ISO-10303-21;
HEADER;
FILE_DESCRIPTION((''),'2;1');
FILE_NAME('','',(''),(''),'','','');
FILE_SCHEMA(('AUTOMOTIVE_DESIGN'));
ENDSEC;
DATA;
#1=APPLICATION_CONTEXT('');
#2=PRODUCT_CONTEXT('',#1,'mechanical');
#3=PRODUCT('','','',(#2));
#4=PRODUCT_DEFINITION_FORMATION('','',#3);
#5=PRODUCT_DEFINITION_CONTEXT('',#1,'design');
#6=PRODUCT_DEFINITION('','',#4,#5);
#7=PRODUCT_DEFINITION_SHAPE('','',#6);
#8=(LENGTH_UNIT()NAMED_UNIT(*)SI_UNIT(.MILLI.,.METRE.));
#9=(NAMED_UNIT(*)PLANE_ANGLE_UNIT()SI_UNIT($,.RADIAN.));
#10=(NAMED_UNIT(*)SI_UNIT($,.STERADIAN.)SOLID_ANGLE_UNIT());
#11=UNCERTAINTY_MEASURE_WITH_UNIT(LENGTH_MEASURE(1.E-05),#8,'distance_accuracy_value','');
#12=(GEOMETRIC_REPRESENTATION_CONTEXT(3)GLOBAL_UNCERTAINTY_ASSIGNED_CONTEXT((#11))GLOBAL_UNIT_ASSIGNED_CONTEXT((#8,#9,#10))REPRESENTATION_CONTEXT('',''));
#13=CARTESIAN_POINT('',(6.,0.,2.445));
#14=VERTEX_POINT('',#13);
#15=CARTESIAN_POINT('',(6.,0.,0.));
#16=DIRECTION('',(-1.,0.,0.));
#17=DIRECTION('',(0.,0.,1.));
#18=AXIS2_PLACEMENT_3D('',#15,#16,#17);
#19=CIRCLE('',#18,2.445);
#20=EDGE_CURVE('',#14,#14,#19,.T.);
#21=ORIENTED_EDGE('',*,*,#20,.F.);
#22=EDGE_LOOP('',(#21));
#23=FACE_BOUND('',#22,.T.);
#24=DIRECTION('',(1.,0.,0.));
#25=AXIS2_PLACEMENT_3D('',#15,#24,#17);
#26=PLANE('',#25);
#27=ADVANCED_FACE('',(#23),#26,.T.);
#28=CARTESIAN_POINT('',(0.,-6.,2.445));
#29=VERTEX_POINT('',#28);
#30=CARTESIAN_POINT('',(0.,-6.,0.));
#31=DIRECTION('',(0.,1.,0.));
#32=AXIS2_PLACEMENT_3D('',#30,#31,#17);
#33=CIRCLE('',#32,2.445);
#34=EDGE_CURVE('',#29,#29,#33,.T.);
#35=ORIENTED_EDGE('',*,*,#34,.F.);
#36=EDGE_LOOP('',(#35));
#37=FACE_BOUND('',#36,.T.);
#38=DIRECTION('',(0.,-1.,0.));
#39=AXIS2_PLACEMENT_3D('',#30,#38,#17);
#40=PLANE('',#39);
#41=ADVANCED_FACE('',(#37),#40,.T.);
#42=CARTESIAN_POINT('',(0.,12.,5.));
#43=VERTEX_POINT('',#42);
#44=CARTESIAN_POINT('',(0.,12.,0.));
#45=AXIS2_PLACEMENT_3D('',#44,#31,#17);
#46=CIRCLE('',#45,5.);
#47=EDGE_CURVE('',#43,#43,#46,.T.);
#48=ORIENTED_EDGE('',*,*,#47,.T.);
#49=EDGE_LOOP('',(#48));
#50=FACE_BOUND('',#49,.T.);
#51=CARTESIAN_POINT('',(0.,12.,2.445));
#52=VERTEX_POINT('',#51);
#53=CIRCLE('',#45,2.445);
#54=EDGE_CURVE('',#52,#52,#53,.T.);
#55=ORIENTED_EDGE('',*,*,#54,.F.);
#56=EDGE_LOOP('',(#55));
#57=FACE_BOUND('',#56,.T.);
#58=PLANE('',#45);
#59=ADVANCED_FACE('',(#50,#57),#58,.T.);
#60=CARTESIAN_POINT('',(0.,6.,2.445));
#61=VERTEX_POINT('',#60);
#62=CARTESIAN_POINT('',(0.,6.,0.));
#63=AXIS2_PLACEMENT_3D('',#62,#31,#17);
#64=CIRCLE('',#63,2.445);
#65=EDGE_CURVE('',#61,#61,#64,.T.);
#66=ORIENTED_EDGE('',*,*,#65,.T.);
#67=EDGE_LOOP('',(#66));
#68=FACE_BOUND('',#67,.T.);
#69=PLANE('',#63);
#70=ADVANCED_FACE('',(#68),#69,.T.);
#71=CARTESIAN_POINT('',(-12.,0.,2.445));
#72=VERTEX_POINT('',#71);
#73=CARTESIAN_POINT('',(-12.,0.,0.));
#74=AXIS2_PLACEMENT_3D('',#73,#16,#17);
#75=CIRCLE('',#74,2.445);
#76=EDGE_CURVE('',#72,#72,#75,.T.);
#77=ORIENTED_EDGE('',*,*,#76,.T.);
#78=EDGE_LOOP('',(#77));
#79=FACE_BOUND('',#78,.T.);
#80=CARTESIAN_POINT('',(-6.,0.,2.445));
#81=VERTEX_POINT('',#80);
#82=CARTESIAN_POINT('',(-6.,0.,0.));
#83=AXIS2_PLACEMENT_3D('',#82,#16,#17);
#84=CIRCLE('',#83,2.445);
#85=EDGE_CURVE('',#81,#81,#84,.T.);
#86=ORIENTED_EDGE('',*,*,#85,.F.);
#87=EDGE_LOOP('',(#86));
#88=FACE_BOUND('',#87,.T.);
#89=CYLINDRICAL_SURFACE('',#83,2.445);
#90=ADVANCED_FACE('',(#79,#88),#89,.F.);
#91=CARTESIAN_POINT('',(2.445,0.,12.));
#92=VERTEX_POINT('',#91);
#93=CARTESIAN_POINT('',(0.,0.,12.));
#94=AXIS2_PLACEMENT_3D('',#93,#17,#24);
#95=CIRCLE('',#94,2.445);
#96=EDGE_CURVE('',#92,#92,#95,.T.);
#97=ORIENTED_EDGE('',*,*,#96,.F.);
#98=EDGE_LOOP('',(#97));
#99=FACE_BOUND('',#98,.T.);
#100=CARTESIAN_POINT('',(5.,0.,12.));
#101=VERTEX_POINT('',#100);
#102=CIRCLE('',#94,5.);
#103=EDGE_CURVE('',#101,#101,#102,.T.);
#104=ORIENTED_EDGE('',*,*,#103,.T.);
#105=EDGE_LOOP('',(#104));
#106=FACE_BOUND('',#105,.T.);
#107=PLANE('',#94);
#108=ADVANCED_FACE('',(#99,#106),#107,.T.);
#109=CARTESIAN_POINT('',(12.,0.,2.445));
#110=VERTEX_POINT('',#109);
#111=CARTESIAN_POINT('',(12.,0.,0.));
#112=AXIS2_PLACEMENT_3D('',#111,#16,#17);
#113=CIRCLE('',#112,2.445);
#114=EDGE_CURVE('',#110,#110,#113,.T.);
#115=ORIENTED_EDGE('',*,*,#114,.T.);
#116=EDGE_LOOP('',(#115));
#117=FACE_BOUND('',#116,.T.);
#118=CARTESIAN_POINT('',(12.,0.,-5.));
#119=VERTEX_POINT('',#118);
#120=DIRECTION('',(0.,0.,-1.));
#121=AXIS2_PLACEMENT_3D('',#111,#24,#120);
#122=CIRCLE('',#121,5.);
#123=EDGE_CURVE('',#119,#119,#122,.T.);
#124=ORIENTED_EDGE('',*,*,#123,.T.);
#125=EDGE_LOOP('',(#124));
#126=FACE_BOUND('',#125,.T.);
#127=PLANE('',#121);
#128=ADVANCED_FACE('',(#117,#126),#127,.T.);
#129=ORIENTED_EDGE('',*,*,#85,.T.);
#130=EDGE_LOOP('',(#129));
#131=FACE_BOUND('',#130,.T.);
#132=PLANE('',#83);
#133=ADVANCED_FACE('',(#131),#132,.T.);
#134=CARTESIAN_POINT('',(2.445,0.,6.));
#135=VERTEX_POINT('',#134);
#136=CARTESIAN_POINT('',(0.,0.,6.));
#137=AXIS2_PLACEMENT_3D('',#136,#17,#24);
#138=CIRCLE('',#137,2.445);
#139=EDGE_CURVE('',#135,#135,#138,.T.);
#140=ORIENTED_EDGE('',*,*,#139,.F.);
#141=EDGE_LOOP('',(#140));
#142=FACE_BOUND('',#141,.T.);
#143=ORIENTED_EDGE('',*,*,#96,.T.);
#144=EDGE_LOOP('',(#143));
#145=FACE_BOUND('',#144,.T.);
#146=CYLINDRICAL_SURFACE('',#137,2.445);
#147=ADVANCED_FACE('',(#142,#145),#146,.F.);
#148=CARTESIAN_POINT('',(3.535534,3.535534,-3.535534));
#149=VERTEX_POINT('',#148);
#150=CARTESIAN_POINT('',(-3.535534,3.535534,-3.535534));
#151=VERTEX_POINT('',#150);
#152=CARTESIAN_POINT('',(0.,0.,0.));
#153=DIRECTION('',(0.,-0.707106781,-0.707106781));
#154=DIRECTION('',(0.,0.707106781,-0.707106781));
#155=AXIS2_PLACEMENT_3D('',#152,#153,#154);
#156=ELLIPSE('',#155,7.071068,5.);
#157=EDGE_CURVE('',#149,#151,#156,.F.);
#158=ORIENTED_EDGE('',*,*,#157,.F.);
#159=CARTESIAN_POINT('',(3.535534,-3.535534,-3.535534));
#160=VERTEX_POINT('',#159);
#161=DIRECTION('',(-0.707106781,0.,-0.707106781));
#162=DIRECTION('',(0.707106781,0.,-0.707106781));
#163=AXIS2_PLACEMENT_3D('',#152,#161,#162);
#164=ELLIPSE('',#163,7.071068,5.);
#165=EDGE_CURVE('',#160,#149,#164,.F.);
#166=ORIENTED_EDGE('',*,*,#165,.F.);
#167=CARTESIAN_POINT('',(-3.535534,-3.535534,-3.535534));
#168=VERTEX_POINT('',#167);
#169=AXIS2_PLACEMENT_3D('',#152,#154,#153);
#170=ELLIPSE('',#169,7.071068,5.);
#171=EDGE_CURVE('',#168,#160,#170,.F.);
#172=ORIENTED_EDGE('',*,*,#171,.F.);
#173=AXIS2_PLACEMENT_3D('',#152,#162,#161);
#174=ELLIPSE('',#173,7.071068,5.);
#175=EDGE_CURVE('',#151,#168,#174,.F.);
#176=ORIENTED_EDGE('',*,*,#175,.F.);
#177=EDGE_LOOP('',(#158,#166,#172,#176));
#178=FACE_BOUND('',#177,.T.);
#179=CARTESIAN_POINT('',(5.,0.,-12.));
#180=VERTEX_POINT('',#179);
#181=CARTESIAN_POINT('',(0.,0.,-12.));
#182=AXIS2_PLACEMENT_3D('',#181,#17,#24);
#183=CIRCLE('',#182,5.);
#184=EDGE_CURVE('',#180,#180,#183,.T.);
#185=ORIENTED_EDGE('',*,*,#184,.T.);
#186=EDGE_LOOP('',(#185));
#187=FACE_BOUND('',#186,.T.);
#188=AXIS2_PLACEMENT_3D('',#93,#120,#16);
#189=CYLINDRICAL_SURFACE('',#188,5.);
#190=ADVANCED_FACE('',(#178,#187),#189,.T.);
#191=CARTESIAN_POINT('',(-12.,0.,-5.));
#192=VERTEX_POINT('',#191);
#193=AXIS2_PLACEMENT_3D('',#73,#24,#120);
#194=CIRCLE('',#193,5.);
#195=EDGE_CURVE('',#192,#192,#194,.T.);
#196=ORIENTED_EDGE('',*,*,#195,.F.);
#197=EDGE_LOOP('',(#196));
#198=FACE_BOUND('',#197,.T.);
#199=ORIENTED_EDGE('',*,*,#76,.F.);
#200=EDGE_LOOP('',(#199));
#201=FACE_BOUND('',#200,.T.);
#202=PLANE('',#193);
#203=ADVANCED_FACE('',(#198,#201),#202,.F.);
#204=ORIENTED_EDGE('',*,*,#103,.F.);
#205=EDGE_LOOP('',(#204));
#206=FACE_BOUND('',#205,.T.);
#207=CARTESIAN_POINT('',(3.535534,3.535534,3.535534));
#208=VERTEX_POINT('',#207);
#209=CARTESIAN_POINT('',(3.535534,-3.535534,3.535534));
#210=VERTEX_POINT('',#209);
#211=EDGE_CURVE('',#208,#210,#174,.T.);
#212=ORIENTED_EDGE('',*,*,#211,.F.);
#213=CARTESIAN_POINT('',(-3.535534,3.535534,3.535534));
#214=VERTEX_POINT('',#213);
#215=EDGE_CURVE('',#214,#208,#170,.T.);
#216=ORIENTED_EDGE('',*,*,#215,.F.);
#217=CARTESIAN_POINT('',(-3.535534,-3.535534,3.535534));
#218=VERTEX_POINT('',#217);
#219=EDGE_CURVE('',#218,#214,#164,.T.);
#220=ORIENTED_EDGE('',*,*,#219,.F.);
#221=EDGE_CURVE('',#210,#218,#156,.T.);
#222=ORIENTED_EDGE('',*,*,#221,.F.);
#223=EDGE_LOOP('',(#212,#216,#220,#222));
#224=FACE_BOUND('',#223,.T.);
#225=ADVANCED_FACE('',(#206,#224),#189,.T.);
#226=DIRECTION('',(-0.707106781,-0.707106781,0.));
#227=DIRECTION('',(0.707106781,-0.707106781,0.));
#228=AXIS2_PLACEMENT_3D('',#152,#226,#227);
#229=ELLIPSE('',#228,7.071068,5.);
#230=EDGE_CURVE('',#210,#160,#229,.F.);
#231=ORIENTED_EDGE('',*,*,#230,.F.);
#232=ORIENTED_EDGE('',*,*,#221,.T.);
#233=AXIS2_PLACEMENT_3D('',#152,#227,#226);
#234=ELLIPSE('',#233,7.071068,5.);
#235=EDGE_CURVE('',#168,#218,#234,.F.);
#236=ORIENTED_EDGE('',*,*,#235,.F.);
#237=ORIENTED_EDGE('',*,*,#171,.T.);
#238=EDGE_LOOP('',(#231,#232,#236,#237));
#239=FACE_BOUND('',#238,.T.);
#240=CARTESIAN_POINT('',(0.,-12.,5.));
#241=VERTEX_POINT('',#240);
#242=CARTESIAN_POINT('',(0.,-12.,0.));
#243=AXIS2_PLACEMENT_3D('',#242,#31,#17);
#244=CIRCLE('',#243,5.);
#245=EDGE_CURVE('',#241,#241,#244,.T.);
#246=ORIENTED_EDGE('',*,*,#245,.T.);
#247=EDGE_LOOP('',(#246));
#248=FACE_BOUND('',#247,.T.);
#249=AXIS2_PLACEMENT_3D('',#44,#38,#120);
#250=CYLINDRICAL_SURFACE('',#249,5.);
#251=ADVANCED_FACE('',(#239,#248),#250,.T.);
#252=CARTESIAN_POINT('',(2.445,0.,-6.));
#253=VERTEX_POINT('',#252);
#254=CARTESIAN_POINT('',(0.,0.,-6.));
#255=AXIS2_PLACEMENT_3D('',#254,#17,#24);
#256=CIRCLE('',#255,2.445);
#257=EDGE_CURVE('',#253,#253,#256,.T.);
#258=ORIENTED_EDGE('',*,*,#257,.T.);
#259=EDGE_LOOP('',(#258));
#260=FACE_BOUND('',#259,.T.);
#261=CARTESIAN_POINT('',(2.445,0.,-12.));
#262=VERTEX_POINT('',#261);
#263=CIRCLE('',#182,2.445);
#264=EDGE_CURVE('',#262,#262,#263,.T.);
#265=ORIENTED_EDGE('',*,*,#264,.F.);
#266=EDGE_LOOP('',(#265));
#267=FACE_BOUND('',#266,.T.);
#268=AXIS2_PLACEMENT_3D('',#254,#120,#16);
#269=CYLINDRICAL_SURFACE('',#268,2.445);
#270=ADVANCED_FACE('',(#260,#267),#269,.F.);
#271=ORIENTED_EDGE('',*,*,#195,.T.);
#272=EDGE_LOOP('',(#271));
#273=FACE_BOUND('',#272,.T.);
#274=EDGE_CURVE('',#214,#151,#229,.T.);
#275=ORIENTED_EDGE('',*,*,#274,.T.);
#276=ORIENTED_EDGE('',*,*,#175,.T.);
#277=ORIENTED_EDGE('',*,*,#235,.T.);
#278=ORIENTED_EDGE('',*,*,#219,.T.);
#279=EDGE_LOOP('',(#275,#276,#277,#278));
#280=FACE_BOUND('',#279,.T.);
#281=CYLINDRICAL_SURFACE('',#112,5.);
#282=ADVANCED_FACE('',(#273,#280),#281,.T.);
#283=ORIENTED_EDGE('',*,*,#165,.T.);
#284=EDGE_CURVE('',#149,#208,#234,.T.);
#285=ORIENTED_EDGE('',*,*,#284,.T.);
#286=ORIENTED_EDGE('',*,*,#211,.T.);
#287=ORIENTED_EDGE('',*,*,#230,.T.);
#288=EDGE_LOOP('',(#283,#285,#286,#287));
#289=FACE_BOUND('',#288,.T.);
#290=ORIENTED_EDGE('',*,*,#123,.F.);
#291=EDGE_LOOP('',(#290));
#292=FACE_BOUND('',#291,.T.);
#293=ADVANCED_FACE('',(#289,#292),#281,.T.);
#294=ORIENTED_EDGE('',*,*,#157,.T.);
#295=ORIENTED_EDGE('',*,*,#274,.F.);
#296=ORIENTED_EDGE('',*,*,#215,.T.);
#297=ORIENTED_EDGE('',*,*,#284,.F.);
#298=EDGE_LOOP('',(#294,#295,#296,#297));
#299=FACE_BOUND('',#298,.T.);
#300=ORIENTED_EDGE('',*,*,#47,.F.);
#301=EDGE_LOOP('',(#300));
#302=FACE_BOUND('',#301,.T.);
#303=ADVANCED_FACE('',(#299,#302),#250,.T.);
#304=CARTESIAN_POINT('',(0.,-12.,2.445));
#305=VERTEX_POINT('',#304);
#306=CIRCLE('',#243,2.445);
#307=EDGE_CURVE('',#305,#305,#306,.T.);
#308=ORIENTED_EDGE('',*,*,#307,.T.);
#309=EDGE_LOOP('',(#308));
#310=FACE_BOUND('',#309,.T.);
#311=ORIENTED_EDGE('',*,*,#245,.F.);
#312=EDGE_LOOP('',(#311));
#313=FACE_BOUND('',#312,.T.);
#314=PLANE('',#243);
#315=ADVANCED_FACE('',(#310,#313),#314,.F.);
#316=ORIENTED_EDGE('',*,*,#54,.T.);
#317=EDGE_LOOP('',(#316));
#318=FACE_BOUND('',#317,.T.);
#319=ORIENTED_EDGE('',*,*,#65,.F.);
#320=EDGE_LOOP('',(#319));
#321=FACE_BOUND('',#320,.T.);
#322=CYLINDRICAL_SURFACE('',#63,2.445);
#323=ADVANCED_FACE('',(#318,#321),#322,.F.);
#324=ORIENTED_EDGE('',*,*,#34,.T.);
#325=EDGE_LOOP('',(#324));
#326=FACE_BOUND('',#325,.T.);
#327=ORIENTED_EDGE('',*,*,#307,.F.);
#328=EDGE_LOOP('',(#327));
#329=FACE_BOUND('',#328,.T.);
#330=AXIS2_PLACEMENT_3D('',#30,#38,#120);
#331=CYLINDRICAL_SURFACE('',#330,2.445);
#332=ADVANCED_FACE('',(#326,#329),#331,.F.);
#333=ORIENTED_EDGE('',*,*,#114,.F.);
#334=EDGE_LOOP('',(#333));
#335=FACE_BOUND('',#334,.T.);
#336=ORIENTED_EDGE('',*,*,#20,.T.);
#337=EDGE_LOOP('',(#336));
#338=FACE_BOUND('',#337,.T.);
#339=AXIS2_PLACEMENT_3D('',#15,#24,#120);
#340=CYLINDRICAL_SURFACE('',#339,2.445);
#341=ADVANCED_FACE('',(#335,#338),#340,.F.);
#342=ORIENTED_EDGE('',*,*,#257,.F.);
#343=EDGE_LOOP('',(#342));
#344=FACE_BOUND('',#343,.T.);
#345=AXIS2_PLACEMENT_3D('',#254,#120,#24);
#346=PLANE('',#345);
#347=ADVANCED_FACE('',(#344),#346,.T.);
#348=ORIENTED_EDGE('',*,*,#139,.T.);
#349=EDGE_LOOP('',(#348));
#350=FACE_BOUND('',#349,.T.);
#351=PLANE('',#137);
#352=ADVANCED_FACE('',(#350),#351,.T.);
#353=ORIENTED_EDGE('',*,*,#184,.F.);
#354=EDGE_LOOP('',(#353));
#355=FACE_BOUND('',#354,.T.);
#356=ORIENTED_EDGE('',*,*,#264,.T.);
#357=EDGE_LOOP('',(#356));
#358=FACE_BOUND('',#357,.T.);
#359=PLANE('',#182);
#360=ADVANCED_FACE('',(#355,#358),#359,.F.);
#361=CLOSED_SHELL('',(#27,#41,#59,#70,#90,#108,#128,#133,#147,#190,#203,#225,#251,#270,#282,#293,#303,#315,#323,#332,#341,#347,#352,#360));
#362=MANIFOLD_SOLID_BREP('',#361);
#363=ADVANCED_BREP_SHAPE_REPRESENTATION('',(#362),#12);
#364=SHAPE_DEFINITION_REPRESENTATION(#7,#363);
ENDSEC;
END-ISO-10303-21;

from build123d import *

# Parameters (mm, degrees)
IZIM1_R                     = 5
Y_KSEKLIK_EKSTR_ZYON1_DEPTH = 12
IZIM2_R                     = 5
Y_KSEKLIK_EKSTR_ZYON2_DEPTH = 12
IZIM3_R                     = 5
Y_KSEKLIK_EKSTR_ZYON3_DEPTH = 12
IZIM4_R                     = 2.445
KES_EKSTR_ZYON1_DEPTH       = 6
IZIM5_R                     = 2.445
KES_EKSTR_ZYON2_DEPTH       = 6
IZIM6_R                     = 2.445
KES_EKSTR_ZYON3_DEPTH       = 6


with BuildPart() as part:
    # Çizim1 → Yükseklik-Ekstrüzyon1 (new, symmetric)
    with BuildSketch(Plane.XY):
        Circle(IZIM1_R)
    extrude(amount=Y_KSEKLIK_EKSTR_ZYON1_DEPTH, both=True)

    # Çizim2 → Yükseklik-Ekstrüzyon2 (add, symmetric)
    with BuildSketch(Plane(origin=(0, 0, 0), x_dir=(1, 0, 0), z_dir=(0, 1, 0))):
        Circle(IZIM2_R)
    extrude(amount=Y_KSEKLIK_EKSTR_ZYON2_DEPTH, both=True)

    # Çizim3 → Yükseklik-Ekstrüzyon3 (add, symmetric)
    with BuildSketch(Plane(origin=(0, 0, 0), x_dir=(0, 0, -1), z_dir=(1, 0, 0))):
        with Locations(Location((0, 0, 0), (0, 0, 225))):
            Circle(IZIM3_R)
    extrude(amount=Y_KSEKLIK_EKSTR_ZYON3_DEPTH, both=True)

    # Çizim4 → Kes-Ekstrüzyon1 (cut)
    with BuildSketch(Plane.ZY.offset(12)):
        Circle(IZIM4_R)
    kes_ekstr_zyon1 = extrude(amount=-KES_EKSTR_ZYON1_DEPTH, mode=Mode.SUBTRACT)

    # Aynalama1: Kes-Ekstrüzyon1 across plane
    add(kes_ekstr_zyon1.mirror(Plane(origin=(0, 0, 0), x_dir=(0, 0, 1), z_dir=(1, 0, 0))), mode=Mode.SUBTRACT)

    # Çizim5 → Kes-Ekstrüzyon2 (cut)
    with BuildSketch(Plane.XY.offset(12)):
        Circle(IZIM5_R)
    kes_ekstr_zyon2 = extrude(amount=-KES_EKSTR_ZYON2_DEPTH, mode=Mode.SUBTRACT)

    # Aynalama2: Kes-Ekstrüzyon2 across plane
    add(kes_ekstr_zyon2.mirror(Plane.XY), mode=Mode.SUBTRACT)

    # Çizim6 → Kes-Ekstrüzyon3 (cut)
    with BuildSketch(Plane(origin=(0, 12, 0), x_dir=(1, 0, 0), z_dir=(0, 1, 0))):
        with Locations(Location((0, 0, 0), (0, 0, 270))):
            Circle(IZIM6_R)
    kes_ekstr_zyon3 = extrude(amount=-KES_EKSTR_ZYON3_DEPTH, mode=Mode.SUBTRACT)

    # Aynalama3: Kes-Ekstrüzyon3 across plane
    add(kes_ekstr_zyon3.mirror(Plane.ZX), mode=Mode.SUBTRACT)


solid = part.part
